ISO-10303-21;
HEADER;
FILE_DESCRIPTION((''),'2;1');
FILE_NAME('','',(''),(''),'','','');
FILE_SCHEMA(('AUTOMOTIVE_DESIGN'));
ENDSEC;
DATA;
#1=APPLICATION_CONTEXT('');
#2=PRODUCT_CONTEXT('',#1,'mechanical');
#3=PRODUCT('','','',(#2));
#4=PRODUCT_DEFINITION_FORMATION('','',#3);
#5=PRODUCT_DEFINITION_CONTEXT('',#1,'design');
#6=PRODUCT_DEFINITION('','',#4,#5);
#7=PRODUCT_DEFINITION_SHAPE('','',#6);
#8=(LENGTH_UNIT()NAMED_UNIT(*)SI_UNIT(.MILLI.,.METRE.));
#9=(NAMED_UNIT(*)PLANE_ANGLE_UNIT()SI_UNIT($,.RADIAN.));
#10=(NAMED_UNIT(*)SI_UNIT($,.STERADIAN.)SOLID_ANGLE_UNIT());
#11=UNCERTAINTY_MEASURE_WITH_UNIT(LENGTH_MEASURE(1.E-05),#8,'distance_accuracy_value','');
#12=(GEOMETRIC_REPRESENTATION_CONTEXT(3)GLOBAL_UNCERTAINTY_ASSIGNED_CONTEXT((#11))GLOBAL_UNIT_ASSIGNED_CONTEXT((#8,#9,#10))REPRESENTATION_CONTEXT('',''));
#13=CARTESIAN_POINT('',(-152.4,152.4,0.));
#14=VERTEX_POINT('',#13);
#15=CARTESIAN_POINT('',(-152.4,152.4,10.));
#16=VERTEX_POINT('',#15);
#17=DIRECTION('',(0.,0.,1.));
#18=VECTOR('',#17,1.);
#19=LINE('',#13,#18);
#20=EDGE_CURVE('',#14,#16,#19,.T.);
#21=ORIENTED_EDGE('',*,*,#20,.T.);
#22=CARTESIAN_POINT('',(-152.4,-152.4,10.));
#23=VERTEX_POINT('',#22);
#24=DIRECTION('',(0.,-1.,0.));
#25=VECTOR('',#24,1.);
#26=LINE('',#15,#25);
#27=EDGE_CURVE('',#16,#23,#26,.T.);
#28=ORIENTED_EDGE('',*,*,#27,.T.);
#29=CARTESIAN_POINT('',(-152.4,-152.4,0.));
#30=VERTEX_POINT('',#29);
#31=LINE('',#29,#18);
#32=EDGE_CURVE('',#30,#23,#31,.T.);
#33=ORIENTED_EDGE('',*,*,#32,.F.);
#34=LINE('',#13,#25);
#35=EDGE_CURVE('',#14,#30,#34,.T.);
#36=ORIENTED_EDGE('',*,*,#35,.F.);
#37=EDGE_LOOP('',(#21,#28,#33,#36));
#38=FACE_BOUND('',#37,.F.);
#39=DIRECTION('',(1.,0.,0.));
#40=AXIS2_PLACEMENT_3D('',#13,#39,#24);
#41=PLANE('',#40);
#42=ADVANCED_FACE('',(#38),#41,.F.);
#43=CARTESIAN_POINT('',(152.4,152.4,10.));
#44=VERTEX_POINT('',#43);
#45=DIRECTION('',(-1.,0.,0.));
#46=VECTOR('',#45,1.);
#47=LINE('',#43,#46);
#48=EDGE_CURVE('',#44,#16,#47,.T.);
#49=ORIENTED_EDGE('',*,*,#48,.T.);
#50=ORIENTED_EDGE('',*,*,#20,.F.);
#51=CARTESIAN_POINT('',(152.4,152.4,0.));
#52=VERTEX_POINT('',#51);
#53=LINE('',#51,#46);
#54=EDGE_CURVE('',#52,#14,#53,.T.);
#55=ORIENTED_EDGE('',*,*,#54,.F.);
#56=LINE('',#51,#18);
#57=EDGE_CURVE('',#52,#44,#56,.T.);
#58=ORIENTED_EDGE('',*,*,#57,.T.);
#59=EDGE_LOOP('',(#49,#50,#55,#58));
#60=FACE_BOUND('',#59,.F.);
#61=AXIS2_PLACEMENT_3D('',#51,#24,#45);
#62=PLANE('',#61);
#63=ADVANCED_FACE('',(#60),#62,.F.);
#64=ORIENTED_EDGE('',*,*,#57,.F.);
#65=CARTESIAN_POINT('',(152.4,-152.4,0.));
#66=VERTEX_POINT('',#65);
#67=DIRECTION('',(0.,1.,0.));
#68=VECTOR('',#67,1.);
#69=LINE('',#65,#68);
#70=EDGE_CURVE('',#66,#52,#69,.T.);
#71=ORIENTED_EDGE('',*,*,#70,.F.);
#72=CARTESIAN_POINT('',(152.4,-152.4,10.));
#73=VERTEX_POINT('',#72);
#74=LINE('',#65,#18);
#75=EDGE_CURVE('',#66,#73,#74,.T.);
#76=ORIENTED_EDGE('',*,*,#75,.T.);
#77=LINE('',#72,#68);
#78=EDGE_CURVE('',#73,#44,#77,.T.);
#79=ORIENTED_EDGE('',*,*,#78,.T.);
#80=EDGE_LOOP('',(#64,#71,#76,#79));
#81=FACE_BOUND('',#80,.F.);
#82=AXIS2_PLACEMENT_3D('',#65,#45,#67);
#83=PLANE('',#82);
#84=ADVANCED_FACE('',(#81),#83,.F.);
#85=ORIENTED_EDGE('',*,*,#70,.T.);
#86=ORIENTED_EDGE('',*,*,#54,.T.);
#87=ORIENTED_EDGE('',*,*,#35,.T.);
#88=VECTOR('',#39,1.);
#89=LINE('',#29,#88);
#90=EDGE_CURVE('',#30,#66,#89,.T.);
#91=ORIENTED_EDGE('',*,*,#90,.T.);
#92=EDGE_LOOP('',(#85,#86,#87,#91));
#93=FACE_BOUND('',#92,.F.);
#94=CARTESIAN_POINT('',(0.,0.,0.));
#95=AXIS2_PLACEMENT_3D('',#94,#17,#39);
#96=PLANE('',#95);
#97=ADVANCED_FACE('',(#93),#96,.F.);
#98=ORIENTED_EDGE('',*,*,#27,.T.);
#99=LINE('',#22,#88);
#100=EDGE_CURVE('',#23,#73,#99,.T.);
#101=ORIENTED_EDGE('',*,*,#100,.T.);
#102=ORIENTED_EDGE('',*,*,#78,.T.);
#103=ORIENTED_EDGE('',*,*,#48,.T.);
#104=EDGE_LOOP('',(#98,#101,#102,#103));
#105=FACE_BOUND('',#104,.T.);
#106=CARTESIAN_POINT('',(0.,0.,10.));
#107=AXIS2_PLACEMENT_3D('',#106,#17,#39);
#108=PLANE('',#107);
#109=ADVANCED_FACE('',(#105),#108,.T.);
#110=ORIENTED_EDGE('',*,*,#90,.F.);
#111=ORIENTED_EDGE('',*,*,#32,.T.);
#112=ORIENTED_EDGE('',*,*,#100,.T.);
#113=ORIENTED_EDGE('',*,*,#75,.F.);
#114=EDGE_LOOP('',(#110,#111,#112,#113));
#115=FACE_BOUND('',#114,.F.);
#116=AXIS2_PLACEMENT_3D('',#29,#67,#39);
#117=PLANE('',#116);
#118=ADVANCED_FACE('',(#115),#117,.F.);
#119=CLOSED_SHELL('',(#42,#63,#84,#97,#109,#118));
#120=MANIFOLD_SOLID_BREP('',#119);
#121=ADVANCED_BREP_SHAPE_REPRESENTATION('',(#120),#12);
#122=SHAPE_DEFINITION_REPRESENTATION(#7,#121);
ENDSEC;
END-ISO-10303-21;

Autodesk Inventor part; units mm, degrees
ref_plane "YZ Plane" through (0, 0, 0) normal (1, 0, 0) x (0, 1, 0)
ref_plane "XZ Plane" through (0, 0, 0) normal (0, 1, 0) x (-1, 0, 0)
ref_plane "XY Plane" through (0, 0, 0) normal (0, 0, 1) x (1, 0, 0)
sketch "Sketch1" plane through (0, 0, 0) normal (0, 0, 1) x (1, 0, 0)
  line L0 (-152.4, -152.4) -> (152.4, -152.4)
  line L1 (152.4, -152.4) -> (152.4, 152.4)
  line L2 (152.4, 152.4) -> (-152.4, 152.4)
  line L3 (-152.4, 152.4) -> (-152.4, -152.4)
  line L4 (-152.4, -152.4) -> (152.4, 152.4) construction
  line L5 (152.4, -152.4) -> (-152.4, 152.4) construction
  point P0 (0, 0)
  dimension "d0" = 304.8
  dimension "d1" = 304.8
extrude "Extrusion1" add sketch "Sketch1" along normal blind 10
sketch "Sketch2" plane through (0, 0, 10) normal (0, 0, 1) x (1, 0, 0)
  point P0 (0, 0)
sketch "Sketch3" plane through (0, 0, 10) normal (0, 0, 1) x (1, 0, 0)
  line L0 (34.6646, 81.5942) -> (87.7523, 81.5942) construction
  line L1 (87.7523, 81.5942) -> (87.7523, 28.5065) construction
  line L2 (87.7523, 28.5065) -> (34.6646, 28.5065) construction
  line L3 (34.6646, 28.5065) -> (34.6646, 81.5942) construction
  point P0 (0, 0)
sketch "Sketch4" plane through (0, 0, 10) normal (0, 0, 1) x (1, 0, 0)
  line L0 (40.0273, 115.333) -> (77.7454, 115.333) construction
  line L1 (77.7454, 115.333) -> (77.7454, 86.7724) construction
  line L2 (77.7454, 86.7724) -> (40.0273, 86.7724) construction
  line L3 (40.0273, 86.7724) -> (40.0273, 115.333) construction
  point P0 (0, 0)
sketch "Sketch5" plane through (0, 0, 0) normal (0, 0, -1) x (-1, 0, 0)
  line L0 (-116.714, 59.7683) -> (-18.3595, 59.7683) construction
  line L1 (-18.3595, 59.7683) -> (-18.3595, 4.8054) construction
  line L2 (-18.3595, 4.8054) -> (-116.714, 4.8054) construction
  line L3 (-116.714, 4.8054) -> (-116.714, 59.7683) construction
  point P0 (0, 0)
sketch "Sketch6" plane through (0, 0, 0) normal (0, 0, -1) x (-1, 0, 0)
  point P0 (0, 0)
sketch "Sketch7" plane through (0, 0, 10) normal (0, 0, 1) x (1, 0, 0)
  point P0 (0, 0)
sketch "Sketch8" plane through (0, 0, 10) normal (0, 0, 1) x (1, 0, 0)
  line L0 (-142.6554, 115.4658) -> (-106.9983, 115.4658) construction
  line L1 (-106.9983, 115.4658) -> (-106.9983, 79.8087) construction
  line L2 (-106.9983, 79.8087) -> (-142.6554, 79.8087) construction
  line L3 (-142.6554, 79.8087) -> (-142.6554, 115.4658) construction
  point P0 (0, 0)
sketch "Sketch9" plane through (0, 0, 10) normal (0, 0, 1) x (1, 0, 0)
  line L0 (215.1591, 47.9318) -> (-4.6918, 47.9318) construction
  line L1 (-4.6918, 47.9318) -> (-4.6918, -171.9191) construction
  line L2 (-4.6918, -171.9191) -> (215.1591, -171.9191) construction
  line L3 (215.1591, -171.9191) -> (215.1591, 47.9318) construction
  point P0 (0, 0)
decal "Decal1"
decal "Decal2"
decal "Decal3"
decal "Decal4"
decal "Decal5"
decal "Decal6"
sketch "Sketch10" plane through (0, 0, 10) normal (0, 0, 1) x (1, 0, 0)
  point P0 (0, 0)
sketch "Sketch11" plane through (0, 0, 10) normal (0, 0, 1) x (1, 0, 0)
  point P0 (0, 0)
sketch "Sketch12" plane through (0, 0, 10) normal (0, 0, 1) x (1, 0, 0)
  point P0 (0, 0)
sketch "Sketch13" plane through (0, 0, 10) normal (0, 0, 1) x (1, 0, 0)
  line L0 (11.5465, 127.7808) -> (90.9215, 127.7808) construction
  line L1 (90.9215, 127.7808) -> (90.9215, 85.7121) construction
  line L2 (90.9215, 85.7121) -> (11.5465, 85.7121) construction
  line L3 (11.5465, 85.7121) -> (11.5465, 127.7808) construction
  point P0 (0, 0)
decal "Decal7"
decal "Decal8"
